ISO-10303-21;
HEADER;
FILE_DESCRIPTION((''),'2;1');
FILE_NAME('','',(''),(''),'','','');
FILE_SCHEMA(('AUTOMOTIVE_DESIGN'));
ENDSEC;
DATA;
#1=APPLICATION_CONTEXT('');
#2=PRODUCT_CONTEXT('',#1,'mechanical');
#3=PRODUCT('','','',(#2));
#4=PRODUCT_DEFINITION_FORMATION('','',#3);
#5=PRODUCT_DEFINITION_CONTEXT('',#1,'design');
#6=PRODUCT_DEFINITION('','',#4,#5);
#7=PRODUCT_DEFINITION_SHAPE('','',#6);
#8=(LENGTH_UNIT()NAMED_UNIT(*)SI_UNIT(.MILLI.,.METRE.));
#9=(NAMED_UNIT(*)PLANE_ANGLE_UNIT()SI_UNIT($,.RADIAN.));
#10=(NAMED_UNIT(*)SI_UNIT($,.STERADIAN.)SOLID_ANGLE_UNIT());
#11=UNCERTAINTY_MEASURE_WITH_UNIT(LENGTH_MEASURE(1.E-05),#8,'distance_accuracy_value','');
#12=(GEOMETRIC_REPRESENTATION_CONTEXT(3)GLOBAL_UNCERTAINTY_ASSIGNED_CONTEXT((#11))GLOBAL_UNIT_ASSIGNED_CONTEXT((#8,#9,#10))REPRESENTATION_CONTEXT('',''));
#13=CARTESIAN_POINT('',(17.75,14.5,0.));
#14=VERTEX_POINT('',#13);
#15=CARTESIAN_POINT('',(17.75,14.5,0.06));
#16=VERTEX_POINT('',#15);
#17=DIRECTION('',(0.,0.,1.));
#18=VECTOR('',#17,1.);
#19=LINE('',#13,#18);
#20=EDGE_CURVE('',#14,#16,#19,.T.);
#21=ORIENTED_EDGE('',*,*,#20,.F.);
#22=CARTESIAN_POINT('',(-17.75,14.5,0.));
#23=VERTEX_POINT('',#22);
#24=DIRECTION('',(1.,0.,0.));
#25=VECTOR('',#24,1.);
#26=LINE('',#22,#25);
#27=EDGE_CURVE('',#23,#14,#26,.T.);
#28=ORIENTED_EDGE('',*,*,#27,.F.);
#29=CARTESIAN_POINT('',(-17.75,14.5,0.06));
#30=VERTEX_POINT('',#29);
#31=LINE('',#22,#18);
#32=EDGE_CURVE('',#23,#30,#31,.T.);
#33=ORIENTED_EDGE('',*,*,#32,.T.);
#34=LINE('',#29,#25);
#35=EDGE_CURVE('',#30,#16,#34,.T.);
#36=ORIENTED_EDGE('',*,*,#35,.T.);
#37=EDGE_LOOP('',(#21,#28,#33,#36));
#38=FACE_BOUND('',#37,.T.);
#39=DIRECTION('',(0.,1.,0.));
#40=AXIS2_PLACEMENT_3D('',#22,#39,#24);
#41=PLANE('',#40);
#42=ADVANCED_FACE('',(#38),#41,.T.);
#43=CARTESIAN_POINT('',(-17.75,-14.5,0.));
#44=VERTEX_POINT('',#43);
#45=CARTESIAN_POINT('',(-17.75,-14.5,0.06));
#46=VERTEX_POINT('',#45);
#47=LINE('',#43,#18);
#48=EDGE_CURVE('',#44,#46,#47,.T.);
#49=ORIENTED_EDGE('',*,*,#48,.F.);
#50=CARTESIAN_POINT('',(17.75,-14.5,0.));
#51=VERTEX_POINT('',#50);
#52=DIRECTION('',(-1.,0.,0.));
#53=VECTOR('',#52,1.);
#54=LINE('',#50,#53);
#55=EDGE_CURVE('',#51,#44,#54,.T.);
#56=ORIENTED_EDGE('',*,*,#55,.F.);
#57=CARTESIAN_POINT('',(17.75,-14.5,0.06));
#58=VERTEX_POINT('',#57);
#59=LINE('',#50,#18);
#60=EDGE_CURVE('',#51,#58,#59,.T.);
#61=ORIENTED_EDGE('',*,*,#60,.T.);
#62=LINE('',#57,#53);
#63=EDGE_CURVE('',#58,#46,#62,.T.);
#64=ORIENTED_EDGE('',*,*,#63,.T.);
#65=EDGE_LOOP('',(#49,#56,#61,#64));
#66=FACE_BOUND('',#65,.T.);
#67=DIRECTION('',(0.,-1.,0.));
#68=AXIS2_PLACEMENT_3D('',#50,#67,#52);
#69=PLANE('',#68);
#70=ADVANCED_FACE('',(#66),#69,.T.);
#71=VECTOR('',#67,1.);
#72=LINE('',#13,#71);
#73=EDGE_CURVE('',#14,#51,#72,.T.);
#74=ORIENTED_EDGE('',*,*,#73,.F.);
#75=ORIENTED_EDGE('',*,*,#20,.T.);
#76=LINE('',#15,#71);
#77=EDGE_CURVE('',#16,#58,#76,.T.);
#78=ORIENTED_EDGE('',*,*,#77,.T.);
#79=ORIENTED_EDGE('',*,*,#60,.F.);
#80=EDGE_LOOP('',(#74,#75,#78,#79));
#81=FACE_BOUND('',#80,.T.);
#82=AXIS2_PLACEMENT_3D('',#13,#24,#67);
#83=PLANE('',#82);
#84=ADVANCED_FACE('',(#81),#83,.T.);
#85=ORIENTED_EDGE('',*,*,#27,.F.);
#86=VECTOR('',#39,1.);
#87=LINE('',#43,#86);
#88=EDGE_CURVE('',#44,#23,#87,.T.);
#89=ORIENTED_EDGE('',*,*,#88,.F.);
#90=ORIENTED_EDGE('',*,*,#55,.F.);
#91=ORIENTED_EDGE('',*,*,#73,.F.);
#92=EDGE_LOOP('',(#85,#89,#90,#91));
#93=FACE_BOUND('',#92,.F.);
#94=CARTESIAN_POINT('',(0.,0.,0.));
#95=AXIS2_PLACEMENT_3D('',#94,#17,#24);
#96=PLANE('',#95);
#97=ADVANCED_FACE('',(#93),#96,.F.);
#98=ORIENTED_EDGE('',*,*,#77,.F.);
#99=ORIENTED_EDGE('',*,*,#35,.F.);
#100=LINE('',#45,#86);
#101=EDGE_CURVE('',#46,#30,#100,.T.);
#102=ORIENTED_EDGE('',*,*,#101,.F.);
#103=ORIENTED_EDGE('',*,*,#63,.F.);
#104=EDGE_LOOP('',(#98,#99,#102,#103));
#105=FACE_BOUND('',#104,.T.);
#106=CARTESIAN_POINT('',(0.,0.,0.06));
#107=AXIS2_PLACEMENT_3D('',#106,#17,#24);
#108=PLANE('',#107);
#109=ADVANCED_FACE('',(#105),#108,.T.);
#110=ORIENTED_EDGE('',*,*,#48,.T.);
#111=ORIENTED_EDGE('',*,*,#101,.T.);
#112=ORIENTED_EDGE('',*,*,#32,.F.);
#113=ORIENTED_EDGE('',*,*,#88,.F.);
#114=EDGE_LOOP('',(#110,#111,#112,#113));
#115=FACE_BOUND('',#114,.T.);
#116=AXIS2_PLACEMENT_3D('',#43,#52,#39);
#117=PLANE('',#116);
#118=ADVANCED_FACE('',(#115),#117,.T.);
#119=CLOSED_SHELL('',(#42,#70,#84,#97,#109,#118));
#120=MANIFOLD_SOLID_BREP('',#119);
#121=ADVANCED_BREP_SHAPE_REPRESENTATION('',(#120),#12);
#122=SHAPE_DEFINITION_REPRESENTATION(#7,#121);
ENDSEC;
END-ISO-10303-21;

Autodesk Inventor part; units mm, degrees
ref_plane "YZ Plane" through (0, 0, 0) normal (1, 0, 0) x (0, 1, 0)
ref_plane "XZ Plane" through (0, 0, 0) normal (0, 1, 0) x (-1, 0, 0)
ref_plane "XY Plane" through (0, 0, 0) normal (0, 0, 1) x (1, 0, 0)
sketch "スケッチ1" plane through (0, 0, 0) normal (0, 0, 1) x (1, 0, 0)
  line L0 (-17.75, 14.5) -> (17.75, 14.5)
  line L1 (17.75, 14.5) -> (17.75, -14.5)
  line L2 (17.75, -14.5) -> (-17.75, -14.5)
  line L3 (-17.75, -14.5) -> (-17.75, 14.5)
  point P0 (0, 0)
  dimension "d14" = 14.5
  dimension "d15" = 14.5
  dimension "d50" = 17.75
  dimension "d51" = 17.75
extrude "押し出し5" add sketch "スケッチ1" along normal blind 0.06
equation "\"d15\" = d14"
equation "\"d51\" = d50"
properties part number "TFT"
